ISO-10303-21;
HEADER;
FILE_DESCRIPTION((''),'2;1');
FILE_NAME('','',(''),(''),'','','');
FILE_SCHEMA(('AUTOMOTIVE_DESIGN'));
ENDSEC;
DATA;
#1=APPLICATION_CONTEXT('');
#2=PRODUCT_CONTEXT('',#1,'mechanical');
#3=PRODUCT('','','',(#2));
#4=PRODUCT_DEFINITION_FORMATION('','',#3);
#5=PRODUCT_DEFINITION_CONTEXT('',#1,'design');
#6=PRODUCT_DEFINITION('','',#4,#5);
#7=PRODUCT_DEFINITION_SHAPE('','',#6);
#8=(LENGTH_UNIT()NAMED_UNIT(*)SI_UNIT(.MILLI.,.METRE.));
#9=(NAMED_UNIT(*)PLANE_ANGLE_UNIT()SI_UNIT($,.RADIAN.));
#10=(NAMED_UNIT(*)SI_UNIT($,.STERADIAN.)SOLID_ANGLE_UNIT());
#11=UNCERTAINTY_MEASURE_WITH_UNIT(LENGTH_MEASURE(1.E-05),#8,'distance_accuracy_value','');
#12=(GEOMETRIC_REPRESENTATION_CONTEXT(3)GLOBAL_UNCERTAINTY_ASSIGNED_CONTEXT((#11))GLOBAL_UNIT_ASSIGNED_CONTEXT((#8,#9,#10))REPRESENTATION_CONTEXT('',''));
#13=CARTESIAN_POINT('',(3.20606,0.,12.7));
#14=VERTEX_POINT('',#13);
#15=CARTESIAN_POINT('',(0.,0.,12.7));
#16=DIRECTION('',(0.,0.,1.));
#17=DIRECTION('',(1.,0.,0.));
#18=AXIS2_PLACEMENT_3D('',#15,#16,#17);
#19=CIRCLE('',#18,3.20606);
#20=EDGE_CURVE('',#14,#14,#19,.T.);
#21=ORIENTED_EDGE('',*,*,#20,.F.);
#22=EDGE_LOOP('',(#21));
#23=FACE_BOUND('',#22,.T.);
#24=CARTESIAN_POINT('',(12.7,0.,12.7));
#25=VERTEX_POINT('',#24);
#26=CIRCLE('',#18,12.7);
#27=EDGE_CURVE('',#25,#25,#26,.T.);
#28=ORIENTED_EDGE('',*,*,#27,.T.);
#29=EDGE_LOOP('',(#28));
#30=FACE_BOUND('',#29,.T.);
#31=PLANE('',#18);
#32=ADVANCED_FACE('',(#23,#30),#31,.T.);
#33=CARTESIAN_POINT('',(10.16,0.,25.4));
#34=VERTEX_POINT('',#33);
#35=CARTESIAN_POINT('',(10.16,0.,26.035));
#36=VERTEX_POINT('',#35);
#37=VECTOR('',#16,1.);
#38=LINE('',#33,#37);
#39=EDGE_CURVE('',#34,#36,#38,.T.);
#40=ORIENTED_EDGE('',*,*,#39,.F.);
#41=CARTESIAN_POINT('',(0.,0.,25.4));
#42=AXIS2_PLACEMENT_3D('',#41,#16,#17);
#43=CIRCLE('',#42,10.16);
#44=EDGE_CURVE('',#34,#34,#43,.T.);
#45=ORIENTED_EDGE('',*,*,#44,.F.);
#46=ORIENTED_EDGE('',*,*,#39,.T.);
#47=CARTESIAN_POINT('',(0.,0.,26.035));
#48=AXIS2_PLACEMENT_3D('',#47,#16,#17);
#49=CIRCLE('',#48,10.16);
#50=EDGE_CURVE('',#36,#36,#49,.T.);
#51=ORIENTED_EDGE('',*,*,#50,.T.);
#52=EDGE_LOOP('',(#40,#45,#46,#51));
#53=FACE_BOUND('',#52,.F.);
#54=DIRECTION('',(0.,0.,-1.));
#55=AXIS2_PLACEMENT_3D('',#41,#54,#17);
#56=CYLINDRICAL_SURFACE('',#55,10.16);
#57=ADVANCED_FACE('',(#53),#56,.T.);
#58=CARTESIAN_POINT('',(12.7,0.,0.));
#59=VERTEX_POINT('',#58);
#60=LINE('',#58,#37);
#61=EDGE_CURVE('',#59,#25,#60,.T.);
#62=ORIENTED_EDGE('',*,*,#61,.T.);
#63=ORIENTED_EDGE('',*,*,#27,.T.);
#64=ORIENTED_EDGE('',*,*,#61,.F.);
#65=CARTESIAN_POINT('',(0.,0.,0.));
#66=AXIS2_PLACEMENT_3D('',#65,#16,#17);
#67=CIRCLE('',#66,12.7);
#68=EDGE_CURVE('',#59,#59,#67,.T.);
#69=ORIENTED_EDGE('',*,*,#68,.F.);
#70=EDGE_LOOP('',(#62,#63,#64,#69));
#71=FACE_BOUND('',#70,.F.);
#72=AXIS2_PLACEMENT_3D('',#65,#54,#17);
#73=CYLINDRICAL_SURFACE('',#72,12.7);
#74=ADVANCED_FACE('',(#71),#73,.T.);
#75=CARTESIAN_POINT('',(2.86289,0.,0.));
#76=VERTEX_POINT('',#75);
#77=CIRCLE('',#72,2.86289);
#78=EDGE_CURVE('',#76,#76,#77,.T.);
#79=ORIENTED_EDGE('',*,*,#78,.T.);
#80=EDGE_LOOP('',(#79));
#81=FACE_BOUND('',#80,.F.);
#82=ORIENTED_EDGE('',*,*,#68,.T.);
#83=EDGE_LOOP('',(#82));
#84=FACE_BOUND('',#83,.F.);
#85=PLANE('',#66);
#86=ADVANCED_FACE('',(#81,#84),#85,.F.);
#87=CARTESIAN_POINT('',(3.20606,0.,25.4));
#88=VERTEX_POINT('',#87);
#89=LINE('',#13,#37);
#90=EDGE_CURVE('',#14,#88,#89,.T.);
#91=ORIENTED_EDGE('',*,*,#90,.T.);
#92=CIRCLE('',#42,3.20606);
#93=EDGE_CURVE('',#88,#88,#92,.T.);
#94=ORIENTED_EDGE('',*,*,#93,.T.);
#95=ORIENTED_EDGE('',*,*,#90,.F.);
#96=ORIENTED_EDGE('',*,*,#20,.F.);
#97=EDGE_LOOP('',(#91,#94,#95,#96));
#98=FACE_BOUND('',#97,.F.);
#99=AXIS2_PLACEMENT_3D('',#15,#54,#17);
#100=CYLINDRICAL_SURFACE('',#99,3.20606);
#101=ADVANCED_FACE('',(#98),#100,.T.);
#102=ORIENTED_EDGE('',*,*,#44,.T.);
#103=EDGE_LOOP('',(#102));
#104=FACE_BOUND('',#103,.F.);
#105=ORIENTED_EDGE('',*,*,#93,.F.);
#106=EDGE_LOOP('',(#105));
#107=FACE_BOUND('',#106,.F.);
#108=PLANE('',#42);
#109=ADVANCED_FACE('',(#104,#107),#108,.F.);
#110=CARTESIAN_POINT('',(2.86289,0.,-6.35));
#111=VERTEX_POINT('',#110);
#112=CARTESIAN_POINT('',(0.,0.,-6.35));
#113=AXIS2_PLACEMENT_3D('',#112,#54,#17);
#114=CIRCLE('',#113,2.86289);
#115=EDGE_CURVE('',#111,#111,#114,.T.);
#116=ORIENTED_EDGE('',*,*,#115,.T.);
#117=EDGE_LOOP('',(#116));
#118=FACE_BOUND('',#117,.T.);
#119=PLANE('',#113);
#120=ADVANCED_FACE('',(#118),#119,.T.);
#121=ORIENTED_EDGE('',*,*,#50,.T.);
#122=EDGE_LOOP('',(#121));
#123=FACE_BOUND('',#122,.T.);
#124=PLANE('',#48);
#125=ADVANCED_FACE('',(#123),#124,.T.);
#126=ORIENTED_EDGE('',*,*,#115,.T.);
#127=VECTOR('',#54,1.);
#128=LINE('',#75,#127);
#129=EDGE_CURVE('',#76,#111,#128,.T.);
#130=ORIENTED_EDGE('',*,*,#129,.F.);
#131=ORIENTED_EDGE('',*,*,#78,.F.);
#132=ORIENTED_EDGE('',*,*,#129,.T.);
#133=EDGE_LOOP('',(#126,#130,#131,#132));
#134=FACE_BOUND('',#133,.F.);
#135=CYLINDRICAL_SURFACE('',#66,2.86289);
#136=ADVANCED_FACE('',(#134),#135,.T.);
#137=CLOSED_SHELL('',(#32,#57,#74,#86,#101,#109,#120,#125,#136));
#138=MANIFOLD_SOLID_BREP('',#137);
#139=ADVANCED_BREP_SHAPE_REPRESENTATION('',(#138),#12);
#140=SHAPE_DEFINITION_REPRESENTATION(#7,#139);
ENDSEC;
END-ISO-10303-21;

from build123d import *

# Parameters (mm, degrees)
F0_R     = 12.7
F1_DEPTH = 12.7
F2_R     = 3.20606
F3_DEPTH = 12.7
F4_R     = 10.16
F5_DEPTH = 0.635
F6_R     = 2.86289
F7_DEPTH = 6.35


with BuildPart() as f1:
    # F0 (on Top) → F1 (new body)
    with BuildSketch(Plane.XY):
        Circle(F0_R)
    extrude(amount=F1_DEPTH)

    # F2 (on face) → F3 (join)
    with BuildSketch(Plane.XY.offset(12.7)):
        Circle(F2_R)
    extrude(amount=F3_DEPTH)

    # F4 (on face) → F5 (join)
    with BuildSketch(Plane.XY.offset(25.4)):
        Circle(F4_R)
    extrude(amount=F5_DEPTH)

    # F6 (on face) → F7 (join)
    with BuildSketch(Plane(origin=(0, 0, 0), x_dir=(1, 0, 0), z_dir=(0, 0, -1))):
        Circle(F6_R)
    extrude(amount=F7_DEPTH)


solid = f1.part
